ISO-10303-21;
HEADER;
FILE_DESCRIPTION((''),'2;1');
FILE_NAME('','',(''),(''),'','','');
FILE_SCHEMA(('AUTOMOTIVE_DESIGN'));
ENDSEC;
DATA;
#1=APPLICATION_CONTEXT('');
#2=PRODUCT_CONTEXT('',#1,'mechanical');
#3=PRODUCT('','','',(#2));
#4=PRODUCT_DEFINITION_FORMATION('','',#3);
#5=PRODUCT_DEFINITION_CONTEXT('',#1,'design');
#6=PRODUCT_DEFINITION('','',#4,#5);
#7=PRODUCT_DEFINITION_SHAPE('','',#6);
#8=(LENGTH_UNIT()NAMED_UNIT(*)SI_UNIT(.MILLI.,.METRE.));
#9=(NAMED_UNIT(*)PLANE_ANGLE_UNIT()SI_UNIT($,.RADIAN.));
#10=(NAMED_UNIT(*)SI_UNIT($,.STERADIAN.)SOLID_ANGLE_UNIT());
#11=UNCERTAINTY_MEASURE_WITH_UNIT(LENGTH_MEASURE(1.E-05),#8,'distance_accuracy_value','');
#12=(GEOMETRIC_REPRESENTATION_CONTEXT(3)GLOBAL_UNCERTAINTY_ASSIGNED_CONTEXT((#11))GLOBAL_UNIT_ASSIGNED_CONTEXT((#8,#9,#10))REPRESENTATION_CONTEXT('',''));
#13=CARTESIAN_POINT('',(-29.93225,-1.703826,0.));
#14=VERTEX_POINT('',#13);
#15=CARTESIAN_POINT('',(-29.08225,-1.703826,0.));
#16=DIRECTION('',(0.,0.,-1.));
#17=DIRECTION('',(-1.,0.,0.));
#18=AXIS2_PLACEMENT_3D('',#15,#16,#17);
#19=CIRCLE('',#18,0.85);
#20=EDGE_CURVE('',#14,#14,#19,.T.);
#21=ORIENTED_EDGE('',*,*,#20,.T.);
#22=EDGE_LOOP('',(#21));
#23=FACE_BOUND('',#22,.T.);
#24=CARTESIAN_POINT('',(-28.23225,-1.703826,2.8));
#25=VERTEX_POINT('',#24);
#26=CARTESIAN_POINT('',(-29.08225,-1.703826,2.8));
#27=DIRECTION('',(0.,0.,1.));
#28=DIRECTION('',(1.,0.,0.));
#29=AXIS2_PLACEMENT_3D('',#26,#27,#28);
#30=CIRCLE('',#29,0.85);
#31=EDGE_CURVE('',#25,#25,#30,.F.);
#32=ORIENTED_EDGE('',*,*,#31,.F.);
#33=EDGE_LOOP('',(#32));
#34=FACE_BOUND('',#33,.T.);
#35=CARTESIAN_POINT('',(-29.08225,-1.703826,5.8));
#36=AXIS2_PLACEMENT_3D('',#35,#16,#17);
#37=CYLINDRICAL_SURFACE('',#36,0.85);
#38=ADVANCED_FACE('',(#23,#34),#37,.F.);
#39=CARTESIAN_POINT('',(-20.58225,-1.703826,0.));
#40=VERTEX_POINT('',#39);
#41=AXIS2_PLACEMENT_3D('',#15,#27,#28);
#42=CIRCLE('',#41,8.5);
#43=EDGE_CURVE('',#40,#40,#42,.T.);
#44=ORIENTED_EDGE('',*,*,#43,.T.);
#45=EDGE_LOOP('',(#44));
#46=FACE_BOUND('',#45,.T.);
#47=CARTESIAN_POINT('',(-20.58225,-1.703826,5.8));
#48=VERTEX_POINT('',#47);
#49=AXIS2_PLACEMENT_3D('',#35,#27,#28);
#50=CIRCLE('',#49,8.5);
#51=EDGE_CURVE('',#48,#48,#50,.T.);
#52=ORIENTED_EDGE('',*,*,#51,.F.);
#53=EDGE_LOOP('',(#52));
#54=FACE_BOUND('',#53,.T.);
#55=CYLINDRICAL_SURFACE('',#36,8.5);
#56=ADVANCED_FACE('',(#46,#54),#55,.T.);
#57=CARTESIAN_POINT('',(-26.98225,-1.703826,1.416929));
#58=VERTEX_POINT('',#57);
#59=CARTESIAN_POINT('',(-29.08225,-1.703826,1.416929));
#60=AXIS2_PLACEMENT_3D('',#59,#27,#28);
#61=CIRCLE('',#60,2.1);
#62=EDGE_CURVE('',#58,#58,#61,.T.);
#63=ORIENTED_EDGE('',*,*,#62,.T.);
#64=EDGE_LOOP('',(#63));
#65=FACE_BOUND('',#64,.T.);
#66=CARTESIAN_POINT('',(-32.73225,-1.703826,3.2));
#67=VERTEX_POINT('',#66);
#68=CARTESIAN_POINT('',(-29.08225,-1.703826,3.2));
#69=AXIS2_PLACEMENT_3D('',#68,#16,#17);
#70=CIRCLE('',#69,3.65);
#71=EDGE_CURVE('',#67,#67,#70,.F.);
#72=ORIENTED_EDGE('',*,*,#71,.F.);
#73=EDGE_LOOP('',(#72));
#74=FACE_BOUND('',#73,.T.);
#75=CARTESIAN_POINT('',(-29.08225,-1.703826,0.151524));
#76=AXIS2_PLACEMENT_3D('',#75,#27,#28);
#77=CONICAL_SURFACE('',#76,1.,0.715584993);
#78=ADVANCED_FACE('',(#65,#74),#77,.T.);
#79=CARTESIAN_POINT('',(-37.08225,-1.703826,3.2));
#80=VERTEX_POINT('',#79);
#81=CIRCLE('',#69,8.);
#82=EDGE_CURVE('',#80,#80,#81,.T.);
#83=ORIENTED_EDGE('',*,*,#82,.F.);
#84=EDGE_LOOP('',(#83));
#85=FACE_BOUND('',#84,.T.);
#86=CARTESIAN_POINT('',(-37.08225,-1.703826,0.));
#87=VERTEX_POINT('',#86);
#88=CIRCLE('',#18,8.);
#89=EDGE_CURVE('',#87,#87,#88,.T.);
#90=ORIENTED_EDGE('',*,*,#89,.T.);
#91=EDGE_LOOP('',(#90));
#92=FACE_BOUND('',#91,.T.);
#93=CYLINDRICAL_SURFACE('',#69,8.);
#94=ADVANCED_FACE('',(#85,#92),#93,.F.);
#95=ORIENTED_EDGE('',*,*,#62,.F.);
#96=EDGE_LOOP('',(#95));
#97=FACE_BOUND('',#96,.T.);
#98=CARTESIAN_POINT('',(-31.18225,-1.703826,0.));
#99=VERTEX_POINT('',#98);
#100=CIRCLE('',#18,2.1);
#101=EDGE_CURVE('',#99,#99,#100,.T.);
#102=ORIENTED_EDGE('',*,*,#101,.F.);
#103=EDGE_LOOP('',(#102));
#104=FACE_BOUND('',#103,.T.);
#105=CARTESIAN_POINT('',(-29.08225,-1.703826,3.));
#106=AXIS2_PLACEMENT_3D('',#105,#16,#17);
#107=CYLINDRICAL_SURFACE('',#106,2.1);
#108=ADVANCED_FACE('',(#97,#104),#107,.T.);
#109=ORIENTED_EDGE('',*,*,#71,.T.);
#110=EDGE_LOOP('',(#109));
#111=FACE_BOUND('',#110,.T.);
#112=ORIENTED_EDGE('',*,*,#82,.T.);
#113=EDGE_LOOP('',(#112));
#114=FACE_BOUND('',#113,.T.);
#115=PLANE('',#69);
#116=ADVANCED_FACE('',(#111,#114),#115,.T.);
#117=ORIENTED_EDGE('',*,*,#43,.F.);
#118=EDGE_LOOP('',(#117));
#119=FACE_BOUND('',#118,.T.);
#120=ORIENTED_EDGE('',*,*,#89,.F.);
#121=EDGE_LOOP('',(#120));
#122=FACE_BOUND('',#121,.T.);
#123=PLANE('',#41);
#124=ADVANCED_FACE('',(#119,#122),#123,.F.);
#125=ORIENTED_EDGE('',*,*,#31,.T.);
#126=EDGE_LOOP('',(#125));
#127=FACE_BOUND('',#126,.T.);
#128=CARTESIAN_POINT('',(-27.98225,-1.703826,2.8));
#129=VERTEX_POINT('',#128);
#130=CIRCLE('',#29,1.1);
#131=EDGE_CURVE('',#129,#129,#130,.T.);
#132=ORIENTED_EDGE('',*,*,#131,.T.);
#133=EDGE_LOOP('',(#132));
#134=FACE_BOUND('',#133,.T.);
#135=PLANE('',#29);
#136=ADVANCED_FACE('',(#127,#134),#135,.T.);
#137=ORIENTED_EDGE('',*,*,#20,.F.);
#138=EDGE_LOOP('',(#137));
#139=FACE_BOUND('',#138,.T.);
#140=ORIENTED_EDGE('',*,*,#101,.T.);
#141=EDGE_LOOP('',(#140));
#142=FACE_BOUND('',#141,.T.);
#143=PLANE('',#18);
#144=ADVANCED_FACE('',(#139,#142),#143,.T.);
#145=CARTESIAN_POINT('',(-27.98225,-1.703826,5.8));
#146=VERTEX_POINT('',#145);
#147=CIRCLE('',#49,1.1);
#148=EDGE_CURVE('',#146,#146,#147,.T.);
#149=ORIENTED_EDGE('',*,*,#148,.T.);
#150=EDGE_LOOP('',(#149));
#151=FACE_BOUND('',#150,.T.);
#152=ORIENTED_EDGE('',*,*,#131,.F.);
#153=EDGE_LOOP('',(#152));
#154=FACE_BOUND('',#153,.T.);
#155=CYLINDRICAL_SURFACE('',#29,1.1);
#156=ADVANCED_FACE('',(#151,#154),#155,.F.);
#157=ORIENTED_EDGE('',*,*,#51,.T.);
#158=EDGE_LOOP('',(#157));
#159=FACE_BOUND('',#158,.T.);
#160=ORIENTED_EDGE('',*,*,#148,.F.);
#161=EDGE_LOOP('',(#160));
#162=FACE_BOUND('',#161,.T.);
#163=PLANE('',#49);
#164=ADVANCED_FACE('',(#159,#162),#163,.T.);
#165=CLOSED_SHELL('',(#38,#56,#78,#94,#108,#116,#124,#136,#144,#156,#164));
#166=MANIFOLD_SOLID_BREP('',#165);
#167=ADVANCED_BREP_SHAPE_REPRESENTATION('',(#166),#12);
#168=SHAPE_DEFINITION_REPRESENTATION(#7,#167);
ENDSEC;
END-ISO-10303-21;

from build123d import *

# Parameters (mm, degrees)
SKETCH1_R           = 8.5
BOSS_EXTRUDE1_DEPTH = 5.8
SKETCH2_R           = 8
CUT_EXTRUDE1_DEPTH  = 3.2
SKETCH3_R           = 1
BOSS_EXTRUDE2_DEPTH = 3.2
CHAMFER1_SIZE       = 2.65
CHAMFER1_SIZE2      = 3.048476279
SKETCH4_R           = 2.1
BOSS_EXTRUDE3_DEPTH = 3
SKETCH5_R           = 0.85
CUT_EXTRUDE2_DEPTH  = 40.372371259
SKETCH6_R           = 1.1
CUT_EXTRUDE3_DEPTH  = 3


with BuildPart() as part:
    # Sketch1 → Boss-Extrude1 (new body)
    with BuildSketch(Plane.XY):
        with Locations((-29.082250471, -1.703826149)):
            Circle(SKETCH1_R)
    extrude(amount=BOSS_EXTRUDE1_DEPTH)

    # Sketch2 → Cut-Extrude1 (cut)
    with BuildSketch(Plane(origin=(0, 0, 0), x_dir=(-1, 0, 0), z_dir=(0, 0, -1))):
        with Locations((29.082250471, -1.703826149)):
            Circle(SKETCH2_R)
    extrude(amount=-CUT_EXTRUDE1_DEPTH, mode=Mode.SUBTRACT)

    # Sketch3 → Boss-Extrude2 (add)
    with BuildSketch(Plane(origin=(0, 0, 3.2), x_dir=(-1, 0, 0), z_dir=(0, 0, -1))):
        with Locations((29.082250471, -1.703826149)):
            Circle(SKETCH3_R)
    extrude(amount=BOSS_EXTRUDE2_DEPTH)

    # Chamfer1
    chamfer1_edges = [part.edges().sort_by_distance(p)[0] for p in [
        (-28.082250471, -1.703826149, 3.2),
    ]]
    chamfer1_side = [part.faces().sort_by_distance(p)[0] for p in [
        (-21.308524641, -1.703826149, 3.2),
    ]]
    chamfer(chamfer1_edges, length=CHAMFER1_SIZE, length2=CHAMFER1_SIZE2, reference=chamfer1_side[0])

    # Sketch4 → Boss-Extrude3 (add)
    with BuildSketch(Plane(origin=(0, 0, 0), x_dir=(-1, 0, 0), z_dir=(0, 0, -1))):
        with Locations((29.082250471, -1.703826149)):
            Circle(SKETCH4_R)
    extrude(amount=-BOSS_EXTRUDE3_DEPTH)

    # Sketch5 → Cut-Extrude2 (cut, through all)
    with BuildSketch(Plane(origin=(0, 0, 0), x_dir=(-1, 0, 0), z_dir=(0, 0, -1))):
        with Locations((29.082250471, -1.703826149)):
            Circle(SKETCH5_R)
    extrude(amount=-CUT_EXTRUDE2_DEPTH, mode=Mode.SUBTRACT)

    # Sketch6 → Cut-Extrude3 (cut)
    with BuildSketch(Plane.XY.offset(5.8)):
        with Locations((-29.082250471, -1.703826149)):
            Circle(SKETCH6_R)
    extrude(amount=-CUT_EXTRUDE3_DEPTH, mode=Mode.SUBTRACT)


solid = part.part
